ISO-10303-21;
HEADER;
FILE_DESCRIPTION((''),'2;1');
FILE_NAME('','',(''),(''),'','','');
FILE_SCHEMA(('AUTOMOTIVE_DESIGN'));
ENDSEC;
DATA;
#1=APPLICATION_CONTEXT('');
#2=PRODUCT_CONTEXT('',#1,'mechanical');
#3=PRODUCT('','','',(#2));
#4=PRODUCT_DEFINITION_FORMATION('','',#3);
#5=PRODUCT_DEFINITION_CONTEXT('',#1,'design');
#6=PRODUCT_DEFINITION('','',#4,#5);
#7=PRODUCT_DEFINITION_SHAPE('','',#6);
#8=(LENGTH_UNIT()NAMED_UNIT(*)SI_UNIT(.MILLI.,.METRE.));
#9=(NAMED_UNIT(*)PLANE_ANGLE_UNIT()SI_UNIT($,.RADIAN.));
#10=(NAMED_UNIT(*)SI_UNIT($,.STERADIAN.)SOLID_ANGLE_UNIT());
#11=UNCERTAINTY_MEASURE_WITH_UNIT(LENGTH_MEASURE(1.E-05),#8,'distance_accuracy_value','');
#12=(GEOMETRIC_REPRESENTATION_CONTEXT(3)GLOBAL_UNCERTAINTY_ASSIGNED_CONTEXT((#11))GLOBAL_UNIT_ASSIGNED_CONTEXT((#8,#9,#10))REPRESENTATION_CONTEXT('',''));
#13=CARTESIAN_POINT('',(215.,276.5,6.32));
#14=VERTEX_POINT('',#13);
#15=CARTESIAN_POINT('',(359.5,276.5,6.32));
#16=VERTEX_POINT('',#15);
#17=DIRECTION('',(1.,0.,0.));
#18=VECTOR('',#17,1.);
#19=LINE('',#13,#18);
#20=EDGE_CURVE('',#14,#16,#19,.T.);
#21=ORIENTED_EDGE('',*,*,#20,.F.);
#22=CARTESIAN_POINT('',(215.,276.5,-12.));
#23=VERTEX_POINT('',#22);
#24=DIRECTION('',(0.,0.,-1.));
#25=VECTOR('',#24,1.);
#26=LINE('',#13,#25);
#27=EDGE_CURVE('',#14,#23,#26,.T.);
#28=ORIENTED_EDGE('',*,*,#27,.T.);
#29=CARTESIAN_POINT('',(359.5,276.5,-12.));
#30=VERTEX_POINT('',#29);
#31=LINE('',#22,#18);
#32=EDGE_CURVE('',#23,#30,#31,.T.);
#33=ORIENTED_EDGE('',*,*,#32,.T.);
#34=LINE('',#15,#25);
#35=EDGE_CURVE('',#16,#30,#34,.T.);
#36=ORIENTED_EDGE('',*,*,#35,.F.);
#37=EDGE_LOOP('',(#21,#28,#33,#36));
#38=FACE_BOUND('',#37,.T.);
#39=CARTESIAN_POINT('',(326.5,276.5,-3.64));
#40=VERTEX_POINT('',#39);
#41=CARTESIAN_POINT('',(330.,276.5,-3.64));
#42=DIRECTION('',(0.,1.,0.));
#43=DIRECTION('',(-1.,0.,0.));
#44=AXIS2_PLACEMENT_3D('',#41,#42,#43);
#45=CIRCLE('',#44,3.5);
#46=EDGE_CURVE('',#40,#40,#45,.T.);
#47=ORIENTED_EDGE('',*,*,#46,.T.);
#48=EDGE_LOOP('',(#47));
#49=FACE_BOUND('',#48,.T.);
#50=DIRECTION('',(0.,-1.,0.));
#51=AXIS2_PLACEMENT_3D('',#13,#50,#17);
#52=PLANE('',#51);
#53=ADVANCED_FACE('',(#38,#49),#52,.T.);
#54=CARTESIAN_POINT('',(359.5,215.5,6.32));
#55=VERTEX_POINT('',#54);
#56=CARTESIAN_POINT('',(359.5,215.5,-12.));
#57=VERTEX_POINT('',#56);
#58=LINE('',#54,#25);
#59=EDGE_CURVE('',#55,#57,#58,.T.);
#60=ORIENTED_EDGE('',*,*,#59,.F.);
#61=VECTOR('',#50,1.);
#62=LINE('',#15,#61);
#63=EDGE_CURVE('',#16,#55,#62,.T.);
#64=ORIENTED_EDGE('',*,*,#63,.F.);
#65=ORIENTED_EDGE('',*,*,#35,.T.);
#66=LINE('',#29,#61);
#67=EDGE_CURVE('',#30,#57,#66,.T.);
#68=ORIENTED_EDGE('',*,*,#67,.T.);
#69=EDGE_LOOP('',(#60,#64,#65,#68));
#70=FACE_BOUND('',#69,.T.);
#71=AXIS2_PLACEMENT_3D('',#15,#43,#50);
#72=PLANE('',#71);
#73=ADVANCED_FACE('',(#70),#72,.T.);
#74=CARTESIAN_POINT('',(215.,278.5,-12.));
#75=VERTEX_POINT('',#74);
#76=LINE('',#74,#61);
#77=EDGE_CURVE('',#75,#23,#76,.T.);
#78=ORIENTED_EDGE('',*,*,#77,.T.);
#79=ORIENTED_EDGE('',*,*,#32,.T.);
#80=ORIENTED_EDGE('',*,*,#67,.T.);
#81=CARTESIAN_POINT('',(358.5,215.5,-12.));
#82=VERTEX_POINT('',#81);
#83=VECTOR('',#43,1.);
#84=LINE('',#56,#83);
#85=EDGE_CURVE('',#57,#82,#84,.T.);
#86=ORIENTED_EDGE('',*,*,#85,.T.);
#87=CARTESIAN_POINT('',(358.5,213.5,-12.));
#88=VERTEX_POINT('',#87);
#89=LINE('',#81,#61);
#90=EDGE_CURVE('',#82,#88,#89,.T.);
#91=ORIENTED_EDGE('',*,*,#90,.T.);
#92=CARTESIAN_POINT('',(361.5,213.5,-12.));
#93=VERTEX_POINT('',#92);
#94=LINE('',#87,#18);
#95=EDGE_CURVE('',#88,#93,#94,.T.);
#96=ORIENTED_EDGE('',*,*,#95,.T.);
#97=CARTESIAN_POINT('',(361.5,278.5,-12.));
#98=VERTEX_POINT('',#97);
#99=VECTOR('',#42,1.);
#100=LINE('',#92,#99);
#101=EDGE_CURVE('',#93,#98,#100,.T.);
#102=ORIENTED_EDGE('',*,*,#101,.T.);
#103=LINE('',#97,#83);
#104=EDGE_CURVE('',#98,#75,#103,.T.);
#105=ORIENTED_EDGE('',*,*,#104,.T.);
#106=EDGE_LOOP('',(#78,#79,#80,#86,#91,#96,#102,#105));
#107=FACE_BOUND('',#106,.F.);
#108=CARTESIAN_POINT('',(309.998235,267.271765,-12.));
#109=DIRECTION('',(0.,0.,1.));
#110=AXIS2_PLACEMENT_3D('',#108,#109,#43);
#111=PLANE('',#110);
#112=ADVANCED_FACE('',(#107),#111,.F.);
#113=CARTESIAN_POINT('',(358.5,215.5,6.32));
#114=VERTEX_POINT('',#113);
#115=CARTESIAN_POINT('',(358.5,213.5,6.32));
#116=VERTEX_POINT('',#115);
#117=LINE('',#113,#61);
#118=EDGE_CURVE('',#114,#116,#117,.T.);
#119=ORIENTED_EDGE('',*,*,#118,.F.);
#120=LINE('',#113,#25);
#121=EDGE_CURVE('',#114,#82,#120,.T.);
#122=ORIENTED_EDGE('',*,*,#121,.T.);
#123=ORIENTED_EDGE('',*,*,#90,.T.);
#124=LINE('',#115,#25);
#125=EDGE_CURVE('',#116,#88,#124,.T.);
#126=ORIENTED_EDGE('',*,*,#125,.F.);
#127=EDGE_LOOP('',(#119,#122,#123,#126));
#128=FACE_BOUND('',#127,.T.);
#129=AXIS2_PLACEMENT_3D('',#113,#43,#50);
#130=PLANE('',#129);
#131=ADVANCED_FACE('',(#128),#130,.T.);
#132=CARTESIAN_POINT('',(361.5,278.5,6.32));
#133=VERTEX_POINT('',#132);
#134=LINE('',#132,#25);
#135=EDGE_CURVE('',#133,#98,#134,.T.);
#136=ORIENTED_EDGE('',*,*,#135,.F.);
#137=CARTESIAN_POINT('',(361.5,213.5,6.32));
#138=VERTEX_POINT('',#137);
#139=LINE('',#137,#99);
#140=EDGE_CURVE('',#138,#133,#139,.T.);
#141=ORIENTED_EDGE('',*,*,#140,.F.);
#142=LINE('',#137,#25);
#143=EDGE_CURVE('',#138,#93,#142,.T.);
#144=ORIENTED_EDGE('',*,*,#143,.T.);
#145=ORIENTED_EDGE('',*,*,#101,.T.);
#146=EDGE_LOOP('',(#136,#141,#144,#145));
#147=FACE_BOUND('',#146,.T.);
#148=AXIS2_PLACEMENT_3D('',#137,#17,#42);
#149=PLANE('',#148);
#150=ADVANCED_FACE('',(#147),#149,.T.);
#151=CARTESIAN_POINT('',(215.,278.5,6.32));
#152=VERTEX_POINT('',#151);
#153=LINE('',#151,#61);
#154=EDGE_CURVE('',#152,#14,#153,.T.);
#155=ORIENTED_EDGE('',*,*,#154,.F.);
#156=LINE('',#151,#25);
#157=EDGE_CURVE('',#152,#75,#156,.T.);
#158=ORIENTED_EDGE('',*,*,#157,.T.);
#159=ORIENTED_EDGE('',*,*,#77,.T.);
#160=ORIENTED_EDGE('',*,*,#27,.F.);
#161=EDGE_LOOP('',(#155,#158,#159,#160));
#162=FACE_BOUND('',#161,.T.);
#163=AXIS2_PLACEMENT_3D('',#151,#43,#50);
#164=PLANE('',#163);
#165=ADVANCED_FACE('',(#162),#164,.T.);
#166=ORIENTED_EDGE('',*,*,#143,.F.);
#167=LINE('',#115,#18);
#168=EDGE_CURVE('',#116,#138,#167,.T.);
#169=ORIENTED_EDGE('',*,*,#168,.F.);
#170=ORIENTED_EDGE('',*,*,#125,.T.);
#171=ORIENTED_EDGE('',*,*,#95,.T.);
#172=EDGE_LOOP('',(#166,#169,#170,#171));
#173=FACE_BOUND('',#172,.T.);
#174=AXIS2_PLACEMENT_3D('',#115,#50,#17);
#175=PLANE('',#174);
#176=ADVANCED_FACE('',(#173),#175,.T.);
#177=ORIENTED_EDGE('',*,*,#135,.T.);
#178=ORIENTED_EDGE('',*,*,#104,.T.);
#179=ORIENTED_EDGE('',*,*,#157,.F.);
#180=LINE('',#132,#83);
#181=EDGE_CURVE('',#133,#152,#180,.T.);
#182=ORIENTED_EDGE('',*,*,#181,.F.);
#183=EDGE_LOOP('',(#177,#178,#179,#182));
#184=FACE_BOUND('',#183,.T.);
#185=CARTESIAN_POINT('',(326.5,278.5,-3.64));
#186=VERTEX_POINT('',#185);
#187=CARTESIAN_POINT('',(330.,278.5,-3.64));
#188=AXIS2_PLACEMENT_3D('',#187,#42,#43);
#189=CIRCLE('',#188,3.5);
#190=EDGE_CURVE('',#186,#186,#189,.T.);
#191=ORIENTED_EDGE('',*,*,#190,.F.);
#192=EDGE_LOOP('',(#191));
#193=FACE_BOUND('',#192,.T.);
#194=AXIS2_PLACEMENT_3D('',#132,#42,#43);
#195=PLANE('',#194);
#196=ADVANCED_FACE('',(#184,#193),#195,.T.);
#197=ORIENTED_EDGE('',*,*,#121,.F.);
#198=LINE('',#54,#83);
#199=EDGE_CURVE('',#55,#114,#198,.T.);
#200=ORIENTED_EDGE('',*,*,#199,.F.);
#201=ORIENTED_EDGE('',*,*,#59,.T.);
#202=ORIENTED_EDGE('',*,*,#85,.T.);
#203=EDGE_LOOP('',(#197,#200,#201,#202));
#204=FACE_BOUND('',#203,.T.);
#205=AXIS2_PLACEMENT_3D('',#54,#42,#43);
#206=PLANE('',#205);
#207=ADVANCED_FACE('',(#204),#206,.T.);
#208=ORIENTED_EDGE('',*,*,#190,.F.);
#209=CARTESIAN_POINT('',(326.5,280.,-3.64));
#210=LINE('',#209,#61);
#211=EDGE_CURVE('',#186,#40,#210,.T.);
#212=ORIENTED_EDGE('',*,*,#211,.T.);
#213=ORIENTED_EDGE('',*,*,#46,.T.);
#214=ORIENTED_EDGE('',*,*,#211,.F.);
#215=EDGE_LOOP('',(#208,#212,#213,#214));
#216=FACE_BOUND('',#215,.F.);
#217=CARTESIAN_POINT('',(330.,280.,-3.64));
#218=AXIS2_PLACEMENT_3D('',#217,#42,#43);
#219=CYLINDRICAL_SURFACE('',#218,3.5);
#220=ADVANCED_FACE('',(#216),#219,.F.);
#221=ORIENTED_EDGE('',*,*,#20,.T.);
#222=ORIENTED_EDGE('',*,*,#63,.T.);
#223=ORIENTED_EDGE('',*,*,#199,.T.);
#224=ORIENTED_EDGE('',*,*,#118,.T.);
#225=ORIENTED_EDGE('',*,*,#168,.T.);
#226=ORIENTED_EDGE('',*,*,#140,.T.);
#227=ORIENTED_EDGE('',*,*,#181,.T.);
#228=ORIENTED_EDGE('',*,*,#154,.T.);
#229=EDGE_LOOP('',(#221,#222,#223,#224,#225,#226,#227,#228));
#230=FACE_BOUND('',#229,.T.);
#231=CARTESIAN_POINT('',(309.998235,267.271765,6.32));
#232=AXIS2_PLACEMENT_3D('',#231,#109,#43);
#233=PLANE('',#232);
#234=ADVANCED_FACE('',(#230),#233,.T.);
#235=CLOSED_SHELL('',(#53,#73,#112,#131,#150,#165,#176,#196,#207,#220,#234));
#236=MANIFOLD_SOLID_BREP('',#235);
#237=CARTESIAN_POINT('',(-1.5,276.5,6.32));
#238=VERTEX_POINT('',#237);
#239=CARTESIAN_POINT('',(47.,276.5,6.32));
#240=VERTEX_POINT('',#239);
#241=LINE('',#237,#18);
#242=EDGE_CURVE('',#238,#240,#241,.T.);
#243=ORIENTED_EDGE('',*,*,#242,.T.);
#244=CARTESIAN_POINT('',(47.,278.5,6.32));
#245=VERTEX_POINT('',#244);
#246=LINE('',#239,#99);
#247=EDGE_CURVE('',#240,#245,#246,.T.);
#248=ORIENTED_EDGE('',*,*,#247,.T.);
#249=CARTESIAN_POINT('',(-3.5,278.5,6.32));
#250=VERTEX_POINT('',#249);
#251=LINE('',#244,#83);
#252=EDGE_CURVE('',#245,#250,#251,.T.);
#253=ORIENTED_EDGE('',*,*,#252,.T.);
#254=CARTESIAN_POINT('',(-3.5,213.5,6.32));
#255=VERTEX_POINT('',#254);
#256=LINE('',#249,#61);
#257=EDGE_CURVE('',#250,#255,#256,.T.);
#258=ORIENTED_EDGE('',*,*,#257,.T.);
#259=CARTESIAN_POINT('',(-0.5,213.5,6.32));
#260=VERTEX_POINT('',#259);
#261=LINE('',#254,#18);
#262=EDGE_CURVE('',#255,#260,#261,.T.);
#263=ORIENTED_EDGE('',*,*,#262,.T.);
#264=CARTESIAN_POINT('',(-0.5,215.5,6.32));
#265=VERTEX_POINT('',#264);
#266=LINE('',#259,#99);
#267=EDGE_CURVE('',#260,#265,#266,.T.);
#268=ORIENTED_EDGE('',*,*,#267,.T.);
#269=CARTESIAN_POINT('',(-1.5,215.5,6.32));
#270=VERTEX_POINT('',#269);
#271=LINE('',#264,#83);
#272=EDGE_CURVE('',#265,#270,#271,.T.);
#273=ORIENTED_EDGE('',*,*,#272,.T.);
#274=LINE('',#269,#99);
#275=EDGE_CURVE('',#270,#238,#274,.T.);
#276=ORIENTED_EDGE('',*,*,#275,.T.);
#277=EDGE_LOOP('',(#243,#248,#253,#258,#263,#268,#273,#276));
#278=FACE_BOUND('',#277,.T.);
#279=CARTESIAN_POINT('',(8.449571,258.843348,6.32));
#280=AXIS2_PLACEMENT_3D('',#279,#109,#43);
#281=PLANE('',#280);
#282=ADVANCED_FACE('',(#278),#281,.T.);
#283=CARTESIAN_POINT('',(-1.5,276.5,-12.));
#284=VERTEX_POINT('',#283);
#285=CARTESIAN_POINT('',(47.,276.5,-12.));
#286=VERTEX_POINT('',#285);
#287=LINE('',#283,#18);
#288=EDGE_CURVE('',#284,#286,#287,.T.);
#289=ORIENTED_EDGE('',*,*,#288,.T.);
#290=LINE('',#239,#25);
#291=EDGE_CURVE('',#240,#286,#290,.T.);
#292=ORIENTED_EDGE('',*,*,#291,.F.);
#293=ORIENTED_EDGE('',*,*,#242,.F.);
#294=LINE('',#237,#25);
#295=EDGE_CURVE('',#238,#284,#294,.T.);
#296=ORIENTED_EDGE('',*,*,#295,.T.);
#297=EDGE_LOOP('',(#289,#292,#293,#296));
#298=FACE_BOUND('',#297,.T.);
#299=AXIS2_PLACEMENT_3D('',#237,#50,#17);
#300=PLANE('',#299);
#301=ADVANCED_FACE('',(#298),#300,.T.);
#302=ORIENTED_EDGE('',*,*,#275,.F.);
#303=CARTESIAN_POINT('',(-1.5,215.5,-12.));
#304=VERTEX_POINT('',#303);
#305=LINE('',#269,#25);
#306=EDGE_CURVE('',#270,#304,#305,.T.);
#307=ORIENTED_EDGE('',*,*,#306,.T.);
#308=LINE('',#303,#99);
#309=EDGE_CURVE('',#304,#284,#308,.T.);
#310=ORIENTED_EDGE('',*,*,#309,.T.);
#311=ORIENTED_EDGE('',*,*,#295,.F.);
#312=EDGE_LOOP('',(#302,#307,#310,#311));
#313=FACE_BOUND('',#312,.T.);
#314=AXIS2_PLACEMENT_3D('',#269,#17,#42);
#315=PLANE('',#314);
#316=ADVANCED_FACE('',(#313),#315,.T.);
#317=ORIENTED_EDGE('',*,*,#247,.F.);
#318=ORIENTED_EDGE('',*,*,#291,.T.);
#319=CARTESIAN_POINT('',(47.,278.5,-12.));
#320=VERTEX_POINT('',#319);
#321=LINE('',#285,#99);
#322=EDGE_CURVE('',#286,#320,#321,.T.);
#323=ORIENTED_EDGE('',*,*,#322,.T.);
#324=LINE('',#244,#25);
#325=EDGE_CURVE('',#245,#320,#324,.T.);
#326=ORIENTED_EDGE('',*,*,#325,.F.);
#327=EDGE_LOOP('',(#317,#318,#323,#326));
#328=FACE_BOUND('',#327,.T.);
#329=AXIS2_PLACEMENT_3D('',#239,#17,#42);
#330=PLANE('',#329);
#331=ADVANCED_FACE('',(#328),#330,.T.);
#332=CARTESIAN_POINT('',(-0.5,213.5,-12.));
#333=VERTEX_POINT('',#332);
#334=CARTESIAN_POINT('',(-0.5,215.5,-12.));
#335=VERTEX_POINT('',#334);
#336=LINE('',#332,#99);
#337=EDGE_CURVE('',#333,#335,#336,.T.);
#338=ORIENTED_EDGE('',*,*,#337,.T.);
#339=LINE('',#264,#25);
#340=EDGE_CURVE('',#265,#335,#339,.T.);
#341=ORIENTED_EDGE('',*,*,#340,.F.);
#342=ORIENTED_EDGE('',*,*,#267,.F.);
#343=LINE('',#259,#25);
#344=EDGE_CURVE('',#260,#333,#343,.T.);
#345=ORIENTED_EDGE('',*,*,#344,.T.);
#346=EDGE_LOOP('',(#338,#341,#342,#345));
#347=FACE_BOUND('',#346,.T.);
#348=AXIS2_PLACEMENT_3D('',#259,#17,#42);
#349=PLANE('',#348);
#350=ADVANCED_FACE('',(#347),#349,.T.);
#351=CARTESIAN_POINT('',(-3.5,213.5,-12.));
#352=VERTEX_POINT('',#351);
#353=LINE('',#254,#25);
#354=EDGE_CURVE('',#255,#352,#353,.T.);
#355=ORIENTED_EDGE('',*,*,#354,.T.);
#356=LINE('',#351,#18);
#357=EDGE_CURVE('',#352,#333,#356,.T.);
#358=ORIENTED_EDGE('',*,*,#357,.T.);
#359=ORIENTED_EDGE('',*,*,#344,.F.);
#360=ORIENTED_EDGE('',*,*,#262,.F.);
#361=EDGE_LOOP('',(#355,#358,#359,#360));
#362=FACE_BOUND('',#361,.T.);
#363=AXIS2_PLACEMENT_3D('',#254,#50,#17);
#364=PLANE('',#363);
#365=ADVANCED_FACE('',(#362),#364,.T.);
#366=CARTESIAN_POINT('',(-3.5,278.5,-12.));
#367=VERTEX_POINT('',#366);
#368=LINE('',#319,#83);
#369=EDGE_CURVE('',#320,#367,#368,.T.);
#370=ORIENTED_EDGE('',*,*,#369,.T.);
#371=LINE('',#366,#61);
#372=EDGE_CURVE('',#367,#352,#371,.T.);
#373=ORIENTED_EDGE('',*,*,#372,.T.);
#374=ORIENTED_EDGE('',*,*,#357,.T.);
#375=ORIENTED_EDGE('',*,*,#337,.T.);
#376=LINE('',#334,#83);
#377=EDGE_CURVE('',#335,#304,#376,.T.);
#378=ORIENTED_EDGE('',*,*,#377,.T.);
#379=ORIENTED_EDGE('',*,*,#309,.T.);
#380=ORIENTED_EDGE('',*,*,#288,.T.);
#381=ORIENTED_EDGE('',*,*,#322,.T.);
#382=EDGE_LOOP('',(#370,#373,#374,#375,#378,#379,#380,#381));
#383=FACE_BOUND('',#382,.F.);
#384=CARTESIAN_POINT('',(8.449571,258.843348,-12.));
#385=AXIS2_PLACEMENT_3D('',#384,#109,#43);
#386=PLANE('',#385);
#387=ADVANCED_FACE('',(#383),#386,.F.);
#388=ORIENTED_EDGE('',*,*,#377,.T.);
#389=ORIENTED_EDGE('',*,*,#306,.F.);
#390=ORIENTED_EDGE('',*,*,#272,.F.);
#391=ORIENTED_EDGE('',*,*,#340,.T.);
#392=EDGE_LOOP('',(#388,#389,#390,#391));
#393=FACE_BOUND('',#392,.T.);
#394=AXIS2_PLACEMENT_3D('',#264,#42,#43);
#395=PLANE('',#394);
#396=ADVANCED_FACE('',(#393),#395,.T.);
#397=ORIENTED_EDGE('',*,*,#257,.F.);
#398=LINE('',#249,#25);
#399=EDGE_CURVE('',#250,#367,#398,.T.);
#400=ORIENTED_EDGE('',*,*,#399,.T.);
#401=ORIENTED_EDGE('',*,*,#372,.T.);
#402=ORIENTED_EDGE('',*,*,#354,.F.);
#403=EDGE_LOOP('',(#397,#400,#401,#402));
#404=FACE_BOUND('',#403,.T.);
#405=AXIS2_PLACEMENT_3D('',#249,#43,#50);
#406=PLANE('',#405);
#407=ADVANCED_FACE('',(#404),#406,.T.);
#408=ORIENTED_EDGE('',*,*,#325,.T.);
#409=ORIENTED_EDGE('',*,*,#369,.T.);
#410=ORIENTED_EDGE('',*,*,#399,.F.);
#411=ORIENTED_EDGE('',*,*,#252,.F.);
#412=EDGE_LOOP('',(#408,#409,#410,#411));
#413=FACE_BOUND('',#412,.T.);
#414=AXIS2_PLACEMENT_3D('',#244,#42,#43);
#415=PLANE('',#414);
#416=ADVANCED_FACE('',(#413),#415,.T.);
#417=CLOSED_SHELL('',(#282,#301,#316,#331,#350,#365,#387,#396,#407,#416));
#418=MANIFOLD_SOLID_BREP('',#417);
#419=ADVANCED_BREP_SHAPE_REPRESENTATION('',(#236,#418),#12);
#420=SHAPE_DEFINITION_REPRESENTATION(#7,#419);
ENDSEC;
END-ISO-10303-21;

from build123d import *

# Parameters (mm, degrees)
SKETCH156_R      = 3.5
EXTRUDE146_DEPTH = 10
EXTRUDE031_DEPTH = 18.32


with BuildPart() as extrude146:
    # Sketch156 → Extrude146 (new body)
    with BuildSketch(Plane(origin=(0, 280, 0), x_dir=(-1, 0, 0), z_dir=(0, 1, 0))):
        with Locations((-330, -3.64)):
            Circle(SKETCH156_R)
    extrude(amount=-EXTRUDE146_DEPTH)


with BuildPart() as side004:
    # Sketch037 → Extrude031 (new body)
    with BuildSketch(Plane(origin=(0, 0, 6.32), x_dir=(1, 0, 0), z_dir=(0, 0, -1))):
        Polygon((361.5, -213.5), (361.5, -278.5), (215, -278.5), (215, -276.5), (359.5, -276.5), (359.5, -215.5), (358.5, -215.5), (358.5, -213.5), align=None)
        Polygon((-3.5, -278.5), (-3.5, -213.5), (-0.5, -213.5), (-0.5, -215.5), (-1.5, -215.5), (-1.5, -276.5), (47, -276.5), (47, -278.5), align=None)
    extrude(amount=EXTRUDE031_DEPTH)

    # Cut016: cut Extrude146
    add(extrude146.part, mode=Mode.SUBTRACT)


solid = side004.part
